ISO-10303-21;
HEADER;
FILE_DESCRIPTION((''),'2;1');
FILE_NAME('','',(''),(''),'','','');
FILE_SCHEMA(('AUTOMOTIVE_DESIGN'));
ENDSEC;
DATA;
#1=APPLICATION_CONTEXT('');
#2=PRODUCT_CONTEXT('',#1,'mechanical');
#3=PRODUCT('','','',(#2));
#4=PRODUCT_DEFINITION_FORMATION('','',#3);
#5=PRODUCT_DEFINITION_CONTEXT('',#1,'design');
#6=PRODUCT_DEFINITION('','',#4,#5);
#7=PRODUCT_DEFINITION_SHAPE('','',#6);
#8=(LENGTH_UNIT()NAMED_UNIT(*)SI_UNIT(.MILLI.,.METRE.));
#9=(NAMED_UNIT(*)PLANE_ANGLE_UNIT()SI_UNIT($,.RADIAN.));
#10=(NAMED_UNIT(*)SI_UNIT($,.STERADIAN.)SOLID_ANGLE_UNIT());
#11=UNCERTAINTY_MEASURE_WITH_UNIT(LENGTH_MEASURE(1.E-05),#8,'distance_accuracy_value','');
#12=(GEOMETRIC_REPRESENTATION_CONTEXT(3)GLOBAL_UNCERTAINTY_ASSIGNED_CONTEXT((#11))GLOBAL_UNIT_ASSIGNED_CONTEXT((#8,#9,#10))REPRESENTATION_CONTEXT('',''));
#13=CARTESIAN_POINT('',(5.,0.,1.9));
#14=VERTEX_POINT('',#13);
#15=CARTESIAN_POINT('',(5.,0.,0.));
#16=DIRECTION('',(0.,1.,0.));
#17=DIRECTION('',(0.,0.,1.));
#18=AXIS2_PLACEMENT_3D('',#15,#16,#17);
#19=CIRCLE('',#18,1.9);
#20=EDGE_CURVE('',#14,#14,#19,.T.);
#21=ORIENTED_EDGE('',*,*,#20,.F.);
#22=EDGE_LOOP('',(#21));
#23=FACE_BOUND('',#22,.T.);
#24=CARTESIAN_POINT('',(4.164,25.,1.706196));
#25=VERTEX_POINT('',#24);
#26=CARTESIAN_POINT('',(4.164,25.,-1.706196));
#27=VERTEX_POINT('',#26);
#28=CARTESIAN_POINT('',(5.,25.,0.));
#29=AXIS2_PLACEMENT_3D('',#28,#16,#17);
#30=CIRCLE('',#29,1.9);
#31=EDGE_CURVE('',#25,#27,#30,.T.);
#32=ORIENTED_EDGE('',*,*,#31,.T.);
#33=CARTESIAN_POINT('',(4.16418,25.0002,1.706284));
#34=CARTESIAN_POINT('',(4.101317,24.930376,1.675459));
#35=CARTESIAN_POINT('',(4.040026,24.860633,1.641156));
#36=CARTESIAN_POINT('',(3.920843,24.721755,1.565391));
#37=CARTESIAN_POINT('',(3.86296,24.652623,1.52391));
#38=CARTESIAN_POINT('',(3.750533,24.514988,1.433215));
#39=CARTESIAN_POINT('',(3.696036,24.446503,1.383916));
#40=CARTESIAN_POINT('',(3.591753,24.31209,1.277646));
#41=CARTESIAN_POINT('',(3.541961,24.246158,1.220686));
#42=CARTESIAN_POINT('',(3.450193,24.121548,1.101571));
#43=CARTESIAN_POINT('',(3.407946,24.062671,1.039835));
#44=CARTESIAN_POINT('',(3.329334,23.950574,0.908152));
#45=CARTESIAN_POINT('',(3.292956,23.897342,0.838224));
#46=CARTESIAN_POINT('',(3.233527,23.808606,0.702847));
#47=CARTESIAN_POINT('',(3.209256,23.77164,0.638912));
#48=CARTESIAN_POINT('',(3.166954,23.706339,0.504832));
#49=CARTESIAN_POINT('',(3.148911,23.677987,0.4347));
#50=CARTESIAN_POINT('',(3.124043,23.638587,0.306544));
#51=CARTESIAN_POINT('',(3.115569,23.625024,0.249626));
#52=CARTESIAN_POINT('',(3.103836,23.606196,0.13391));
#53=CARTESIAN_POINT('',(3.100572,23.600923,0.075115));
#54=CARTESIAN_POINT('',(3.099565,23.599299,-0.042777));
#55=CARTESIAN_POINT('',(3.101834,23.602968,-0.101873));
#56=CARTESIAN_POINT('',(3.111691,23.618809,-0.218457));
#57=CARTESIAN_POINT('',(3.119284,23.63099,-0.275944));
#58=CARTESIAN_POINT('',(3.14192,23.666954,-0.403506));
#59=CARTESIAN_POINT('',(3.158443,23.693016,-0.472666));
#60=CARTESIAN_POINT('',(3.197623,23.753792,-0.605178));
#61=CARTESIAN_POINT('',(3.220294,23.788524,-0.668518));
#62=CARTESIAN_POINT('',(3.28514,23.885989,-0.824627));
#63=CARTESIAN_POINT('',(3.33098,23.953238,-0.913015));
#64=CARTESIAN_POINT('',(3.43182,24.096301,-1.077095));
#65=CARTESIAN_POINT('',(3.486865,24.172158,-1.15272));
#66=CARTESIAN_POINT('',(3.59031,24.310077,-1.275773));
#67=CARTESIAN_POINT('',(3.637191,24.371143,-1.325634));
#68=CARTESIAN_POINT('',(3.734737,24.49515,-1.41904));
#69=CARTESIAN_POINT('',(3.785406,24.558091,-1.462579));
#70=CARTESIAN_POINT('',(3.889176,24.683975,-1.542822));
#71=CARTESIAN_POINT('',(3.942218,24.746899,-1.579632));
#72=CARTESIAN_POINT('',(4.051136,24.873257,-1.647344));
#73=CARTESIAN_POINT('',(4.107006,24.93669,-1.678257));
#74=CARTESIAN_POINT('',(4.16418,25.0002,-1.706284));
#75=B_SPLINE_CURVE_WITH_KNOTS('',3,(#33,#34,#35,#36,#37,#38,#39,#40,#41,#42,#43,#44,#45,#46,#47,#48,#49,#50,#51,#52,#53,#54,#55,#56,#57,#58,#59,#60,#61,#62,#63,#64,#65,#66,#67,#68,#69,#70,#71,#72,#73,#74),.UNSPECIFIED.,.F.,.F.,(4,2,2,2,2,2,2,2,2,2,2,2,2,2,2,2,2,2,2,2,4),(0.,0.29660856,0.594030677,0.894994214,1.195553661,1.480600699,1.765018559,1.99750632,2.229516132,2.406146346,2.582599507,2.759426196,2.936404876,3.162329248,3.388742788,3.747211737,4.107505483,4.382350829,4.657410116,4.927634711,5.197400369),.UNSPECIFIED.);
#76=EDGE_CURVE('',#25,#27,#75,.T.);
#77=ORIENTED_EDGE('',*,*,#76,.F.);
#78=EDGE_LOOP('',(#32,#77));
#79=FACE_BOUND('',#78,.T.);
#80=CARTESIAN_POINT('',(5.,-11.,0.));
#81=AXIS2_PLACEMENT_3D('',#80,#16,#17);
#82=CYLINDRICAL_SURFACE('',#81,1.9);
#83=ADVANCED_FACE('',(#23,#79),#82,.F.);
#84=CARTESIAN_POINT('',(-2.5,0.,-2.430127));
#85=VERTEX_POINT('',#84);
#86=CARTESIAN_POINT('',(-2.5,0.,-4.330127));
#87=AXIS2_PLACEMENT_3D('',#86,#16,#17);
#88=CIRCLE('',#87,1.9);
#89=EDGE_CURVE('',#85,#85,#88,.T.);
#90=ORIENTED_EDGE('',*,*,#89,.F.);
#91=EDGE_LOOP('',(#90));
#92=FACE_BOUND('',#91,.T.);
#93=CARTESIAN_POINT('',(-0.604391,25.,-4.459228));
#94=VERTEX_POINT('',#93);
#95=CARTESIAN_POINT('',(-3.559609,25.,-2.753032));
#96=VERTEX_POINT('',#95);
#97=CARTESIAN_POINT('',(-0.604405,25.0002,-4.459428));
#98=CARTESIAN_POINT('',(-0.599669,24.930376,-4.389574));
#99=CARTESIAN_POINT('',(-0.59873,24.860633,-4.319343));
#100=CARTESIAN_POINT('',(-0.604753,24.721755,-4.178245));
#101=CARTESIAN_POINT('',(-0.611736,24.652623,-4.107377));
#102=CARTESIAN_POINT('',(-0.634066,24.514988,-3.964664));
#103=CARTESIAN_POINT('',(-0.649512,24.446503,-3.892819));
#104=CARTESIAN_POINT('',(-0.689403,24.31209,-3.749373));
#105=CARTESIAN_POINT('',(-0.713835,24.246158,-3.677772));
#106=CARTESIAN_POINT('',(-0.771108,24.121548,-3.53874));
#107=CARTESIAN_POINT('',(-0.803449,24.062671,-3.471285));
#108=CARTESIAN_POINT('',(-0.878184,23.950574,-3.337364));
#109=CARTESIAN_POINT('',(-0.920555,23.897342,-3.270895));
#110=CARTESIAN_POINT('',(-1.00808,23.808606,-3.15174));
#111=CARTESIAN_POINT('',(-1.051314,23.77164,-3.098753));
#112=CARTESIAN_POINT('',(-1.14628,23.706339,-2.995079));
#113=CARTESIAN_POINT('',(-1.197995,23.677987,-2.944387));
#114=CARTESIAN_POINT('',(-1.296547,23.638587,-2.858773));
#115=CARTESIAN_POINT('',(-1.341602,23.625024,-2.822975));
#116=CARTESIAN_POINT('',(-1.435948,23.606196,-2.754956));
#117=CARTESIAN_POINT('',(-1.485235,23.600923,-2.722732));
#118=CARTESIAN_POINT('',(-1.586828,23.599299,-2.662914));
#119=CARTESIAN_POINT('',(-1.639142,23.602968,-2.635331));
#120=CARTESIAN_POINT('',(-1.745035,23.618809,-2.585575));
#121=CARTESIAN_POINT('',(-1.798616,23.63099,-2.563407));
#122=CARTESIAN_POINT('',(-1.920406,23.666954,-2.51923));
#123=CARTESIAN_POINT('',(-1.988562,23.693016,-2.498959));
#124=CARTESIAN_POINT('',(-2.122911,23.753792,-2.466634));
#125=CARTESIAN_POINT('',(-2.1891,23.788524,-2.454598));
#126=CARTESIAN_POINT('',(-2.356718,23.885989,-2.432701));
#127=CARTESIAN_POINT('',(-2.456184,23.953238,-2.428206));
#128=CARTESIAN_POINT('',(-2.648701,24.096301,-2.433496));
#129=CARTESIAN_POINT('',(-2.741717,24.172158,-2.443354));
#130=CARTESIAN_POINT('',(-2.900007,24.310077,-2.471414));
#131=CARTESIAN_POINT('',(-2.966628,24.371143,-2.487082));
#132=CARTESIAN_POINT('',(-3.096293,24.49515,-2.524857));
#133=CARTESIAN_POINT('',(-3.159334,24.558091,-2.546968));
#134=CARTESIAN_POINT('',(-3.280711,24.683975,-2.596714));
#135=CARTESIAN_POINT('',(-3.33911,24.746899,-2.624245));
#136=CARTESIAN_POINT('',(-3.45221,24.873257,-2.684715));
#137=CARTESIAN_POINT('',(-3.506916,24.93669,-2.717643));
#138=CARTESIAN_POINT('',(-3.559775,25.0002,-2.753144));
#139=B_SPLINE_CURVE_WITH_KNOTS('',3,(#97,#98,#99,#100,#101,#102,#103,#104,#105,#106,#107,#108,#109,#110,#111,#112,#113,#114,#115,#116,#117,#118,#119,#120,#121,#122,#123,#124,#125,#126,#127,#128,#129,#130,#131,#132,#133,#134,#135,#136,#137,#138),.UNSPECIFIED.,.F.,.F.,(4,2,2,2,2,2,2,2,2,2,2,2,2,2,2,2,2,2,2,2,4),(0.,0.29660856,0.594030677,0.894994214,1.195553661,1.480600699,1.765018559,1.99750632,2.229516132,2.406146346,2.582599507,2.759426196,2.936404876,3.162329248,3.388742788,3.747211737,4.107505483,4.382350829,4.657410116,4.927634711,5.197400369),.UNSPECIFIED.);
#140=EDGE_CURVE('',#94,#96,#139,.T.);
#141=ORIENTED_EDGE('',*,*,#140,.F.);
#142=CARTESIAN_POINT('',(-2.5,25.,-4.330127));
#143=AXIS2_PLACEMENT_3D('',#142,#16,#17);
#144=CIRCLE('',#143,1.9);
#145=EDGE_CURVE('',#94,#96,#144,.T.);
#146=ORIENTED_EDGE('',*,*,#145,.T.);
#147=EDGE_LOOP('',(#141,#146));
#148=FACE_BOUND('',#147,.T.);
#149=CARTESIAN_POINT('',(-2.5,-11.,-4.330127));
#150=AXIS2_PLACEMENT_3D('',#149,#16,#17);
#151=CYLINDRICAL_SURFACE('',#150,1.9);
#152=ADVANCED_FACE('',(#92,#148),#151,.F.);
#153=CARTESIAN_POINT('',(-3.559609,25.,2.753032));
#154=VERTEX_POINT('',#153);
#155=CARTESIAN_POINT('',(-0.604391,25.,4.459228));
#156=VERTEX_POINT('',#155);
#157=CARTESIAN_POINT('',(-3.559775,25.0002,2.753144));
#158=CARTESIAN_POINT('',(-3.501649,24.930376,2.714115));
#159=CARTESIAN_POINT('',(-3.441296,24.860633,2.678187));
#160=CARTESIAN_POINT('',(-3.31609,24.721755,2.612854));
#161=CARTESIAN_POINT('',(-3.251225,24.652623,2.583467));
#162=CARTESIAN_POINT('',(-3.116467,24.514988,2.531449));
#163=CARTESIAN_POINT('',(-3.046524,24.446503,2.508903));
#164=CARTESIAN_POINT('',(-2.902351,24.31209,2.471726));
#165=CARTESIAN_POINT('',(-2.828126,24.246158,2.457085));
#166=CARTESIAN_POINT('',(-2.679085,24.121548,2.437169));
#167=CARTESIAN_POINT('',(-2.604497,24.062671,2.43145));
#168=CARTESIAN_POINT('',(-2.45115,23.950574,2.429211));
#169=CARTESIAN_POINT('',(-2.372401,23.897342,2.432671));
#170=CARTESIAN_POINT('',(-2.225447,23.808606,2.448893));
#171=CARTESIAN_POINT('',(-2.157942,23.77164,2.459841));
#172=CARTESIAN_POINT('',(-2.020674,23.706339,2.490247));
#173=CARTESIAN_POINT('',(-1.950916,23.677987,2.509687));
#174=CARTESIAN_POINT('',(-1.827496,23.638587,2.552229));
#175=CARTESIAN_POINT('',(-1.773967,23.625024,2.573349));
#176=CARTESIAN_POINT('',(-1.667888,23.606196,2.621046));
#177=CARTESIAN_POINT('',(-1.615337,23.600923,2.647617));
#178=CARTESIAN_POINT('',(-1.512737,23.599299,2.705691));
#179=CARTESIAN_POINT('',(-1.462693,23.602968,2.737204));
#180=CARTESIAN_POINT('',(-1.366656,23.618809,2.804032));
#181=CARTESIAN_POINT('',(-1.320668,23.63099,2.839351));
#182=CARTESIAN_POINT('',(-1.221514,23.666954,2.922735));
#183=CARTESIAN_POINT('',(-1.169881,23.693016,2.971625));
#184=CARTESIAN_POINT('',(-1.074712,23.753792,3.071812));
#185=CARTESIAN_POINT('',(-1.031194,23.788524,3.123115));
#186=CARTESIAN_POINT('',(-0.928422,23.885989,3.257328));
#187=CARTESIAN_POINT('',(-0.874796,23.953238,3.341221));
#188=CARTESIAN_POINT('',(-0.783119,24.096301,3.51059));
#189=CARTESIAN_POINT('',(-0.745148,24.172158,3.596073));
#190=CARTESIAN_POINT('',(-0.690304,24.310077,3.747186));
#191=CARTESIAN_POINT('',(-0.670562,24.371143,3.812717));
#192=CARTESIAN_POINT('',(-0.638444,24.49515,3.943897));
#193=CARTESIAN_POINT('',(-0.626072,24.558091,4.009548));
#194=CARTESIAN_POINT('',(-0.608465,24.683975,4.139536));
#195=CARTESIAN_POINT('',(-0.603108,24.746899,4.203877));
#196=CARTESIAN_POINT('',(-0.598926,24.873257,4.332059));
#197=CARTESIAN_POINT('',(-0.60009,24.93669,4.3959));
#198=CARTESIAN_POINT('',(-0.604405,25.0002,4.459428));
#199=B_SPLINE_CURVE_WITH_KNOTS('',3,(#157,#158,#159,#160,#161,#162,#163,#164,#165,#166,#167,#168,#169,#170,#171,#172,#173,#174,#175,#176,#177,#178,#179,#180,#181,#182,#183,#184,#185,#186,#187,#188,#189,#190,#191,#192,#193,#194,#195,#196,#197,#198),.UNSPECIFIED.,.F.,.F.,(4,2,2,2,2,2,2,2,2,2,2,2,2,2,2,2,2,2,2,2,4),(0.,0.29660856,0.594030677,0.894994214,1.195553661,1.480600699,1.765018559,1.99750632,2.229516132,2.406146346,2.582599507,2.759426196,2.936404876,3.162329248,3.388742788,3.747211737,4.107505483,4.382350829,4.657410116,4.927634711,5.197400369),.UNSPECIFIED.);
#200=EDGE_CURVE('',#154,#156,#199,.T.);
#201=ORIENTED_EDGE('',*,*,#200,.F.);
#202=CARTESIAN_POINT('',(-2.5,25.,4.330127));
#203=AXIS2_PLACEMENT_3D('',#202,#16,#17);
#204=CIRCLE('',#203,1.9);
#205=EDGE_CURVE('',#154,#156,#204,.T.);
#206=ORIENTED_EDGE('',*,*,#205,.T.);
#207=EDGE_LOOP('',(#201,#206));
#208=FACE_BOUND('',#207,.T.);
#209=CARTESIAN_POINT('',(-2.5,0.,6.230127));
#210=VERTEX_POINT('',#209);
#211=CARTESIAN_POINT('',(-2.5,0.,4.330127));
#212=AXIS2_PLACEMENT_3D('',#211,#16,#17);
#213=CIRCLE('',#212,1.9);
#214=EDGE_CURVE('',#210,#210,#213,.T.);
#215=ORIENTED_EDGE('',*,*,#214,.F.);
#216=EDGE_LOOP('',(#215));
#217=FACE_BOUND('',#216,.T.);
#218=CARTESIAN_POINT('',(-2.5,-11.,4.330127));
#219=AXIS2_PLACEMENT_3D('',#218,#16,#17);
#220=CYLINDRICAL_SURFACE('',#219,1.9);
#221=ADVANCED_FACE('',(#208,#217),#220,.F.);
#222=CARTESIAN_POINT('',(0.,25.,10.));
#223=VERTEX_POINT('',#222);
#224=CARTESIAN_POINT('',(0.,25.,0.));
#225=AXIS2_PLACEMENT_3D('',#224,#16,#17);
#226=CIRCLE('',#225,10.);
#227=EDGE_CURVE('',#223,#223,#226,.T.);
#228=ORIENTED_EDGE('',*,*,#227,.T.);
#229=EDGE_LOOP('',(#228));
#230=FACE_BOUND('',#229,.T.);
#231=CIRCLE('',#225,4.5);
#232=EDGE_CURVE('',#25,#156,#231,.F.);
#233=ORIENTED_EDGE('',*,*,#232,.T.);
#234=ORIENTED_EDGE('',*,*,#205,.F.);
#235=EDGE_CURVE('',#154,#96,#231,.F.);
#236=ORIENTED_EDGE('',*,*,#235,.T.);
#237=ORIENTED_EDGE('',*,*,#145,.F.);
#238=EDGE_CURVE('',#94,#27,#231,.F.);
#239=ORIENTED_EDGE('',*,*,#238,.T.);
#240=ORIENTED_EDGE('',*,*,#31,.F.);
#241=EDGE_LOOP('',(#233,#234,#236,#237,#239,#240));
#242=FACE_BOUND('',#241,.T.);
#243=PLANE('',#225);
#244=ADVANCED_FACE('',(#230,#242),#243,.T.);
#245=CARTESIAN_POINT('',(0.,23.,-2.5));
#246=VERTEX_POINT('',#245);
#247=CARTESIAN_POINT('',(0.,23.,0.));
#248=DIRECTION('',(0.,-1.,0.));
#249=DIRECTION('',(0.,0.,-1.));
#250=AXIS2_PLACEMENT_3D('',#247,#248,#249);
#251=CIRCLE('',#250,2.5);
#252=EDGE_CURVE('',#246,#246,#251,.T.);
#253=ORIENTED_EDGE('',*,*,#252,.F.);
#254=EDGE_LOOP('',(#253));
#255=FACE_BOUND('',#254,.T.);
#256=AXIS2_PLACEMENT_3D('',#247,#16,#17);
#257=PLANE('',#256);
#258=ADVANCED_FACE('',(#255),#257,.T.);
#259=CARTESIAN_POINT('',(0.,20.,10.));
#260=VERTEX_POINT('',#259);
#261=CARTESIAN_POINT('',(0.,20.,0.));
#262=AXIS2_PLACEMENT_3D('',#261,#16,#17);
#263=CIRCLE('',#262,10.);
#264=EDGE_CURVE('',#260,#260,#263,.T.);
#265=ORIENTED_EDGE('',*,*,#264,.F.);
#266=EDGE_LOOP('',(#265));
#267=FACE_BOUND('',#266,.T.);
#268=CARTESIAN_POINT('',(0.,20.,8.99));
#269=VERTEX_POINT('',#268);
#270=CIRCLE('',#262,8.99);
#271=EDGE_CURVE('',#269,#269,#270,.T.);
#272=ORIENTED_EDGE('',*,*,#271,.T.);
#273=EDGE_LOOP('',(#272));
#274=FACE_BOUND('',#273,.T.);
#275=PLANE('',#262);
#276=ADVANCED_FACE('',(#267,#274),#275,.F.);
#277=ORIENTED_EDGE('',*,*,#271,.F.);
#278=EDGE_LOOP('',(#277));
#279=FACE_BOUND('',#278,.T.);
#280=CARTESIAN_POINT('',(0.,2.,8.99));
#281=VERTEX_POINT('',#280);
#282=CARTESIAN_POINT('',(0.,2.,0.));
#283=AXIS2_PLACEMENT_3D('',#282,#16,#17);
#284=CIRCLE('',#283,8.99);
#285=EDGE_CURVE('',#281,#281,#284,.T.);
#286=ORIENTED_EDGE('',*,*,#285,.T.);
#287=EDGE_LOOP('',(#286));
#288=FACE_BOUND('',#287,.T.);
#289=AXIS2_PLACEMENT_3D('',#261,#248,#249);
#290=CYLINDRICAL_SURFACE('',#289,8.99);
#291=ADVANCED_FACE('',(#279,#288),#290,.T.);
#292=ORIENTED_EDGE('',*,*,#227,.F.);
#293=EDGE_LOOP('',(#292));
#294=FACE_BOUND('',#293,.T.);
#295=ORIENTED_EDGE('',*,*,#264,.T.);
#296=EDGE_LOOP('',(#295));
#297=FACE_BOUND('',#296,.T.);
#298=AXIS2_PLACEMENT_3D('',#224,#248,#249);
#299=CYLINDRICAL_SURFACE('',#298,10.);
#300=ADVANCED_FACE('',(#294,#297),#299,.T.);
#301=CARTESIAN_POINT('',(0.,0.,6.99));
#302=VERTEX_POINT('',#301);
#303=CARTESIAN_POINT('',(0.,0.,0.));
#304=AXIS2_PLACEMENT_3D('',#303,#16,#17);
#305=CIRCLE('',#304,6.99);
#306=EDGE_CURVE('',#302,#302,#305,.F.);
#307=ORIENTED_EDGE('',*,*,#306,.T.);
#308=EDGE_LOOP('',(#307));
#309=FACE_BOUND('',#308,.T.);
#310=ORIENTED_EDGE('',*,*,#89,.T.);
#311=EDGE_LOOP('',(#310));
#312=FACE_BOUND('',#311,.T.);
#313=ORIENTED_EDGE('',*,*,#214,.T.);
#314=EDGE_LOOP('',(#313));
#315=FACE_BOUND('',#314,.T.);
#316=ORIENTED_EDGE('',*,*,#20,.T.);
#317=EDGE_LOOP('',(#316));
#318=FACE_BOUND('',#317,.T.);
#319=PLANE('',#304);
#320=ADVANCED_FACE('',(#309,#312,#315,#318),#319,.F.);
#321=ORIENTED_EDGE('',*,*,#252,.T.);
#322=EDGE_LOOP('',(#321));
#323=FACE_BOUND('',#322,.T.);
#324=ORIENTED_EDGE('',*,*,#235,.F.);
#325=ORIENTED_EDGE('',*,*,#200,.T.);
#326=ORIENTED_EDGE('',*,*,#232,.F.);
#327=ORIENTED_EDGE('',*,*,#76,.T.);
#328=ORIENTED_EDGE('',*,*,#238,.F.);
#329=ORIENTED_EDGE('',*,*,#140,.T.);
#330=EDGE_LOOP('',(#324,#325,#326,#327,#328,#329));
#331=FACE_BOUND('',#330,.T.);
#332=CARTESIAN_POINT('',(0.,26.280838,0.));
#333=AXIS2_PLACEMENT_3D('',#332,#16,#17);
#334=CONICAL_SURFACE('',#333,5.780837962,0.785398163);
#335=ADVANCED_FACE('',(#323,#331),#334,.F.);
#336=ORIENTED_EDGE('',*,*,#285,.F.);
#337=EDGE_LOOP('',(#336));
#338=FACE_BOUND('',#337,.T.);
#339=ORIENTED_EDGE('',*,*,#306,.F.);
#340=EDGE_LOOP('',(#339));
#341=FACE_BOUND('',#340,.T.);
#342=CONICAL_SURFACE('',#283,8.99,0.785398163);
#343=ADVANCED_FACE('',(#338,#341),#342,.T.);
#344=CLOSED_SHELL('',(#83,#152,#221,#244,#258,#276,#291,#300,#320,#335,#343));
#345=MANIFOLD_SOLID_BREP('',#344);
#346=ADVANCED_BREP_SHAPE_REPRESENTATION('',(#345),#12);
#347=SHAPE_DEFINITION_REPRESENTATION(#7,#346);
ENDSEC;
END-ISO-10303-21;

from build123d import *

# Parameters (mm, degrees)
SKETCH_1_R          = 8.99
EXTRUDE_1_DEPTH     = 20
SKETCH_2_R          = 10
EXTRUDE_2_DEPTH     = 5
CHAMFER_1_SIZE      = 2
SKETCH_3_R          = 1.9
CUT_EXTRUDE_1_DEPTH = 36


with BuildPart() as part:
    # 草图1 → 凸台-拉伸1 (new body)
    with BuildSketch(Plane(origin=(0, 0, 0), x_dir=(1, 0, 0), z_dir=(0, 1, 0))):
        with Locations(Location((0, 0, 0), (0, 0, 270))):
            Circle(SKETCH_1_R)
    extrude(amount=EXTRUDE_1_DEPTH)

    # 草图2 → 凸台-拉伸2 (add)
    with BuildSketch(Plane(origin=(0, 20, 0), x_dir=(1, 0, 0), z_dir=(0, 1, 0))):
        with Locations(Location((0, 0, 0), (0, 0, 270))):
            Circle(SKETCH_2_R)
    extrude(amount=EXTRUDE_2_DEPTH)

    # 倒角1
    chamfer_1_edges = [part.edges().sort_by_distance(p)[0] for p in [
        (0, 0, -8.99),
    ]]
    chamfer(chamfer_1_edges, length=CHAMFER_1_SIZE)

    # 草图3 → 切除-拉伸1 (cut)
    with BuildSketch(Plane(origin=(0, 25, 0), x_dir=(1, 0, 0), z_dir=(0, 1, 0))):
        with Locations(Location((5, 0, 0), (0, 0, 270))):
            Circle(SKETCH_3_R)
        with Locations(Location((-2.5, -4.330127019, 0), (0, 0, 270))):
            Circle(SKETCH_3_R)
        with Locations(Location((-2.5, 4.330127019, 0), (0, 0, 270))):
            Circle(SKETCH_3_R)
    extrude(amount=-CUT_EXTRUDE_1_DEPTH, mode=Mode.SUBTRACT)

    # 草图5 → 切除-旋转1 (revolve, cut)
    with BuildSketch(Plane.XY, mode=Mode.PRIVATE) as cut_revolve_1_sk:
        Polygon((0, 23), (-2.5, 23), (-5.780837962, 26.280837962), (0, 26.280837962), align=None)
    revolve(cut_revolve_1_sk.sketch.rotate(Axis((0, 0, 0), (0, 1, 0)), 82.281327408), axis=Axis((0, 0, 0), (0, 1, 0)), mode=Mode.SUBTRACT)


solid = part.part
